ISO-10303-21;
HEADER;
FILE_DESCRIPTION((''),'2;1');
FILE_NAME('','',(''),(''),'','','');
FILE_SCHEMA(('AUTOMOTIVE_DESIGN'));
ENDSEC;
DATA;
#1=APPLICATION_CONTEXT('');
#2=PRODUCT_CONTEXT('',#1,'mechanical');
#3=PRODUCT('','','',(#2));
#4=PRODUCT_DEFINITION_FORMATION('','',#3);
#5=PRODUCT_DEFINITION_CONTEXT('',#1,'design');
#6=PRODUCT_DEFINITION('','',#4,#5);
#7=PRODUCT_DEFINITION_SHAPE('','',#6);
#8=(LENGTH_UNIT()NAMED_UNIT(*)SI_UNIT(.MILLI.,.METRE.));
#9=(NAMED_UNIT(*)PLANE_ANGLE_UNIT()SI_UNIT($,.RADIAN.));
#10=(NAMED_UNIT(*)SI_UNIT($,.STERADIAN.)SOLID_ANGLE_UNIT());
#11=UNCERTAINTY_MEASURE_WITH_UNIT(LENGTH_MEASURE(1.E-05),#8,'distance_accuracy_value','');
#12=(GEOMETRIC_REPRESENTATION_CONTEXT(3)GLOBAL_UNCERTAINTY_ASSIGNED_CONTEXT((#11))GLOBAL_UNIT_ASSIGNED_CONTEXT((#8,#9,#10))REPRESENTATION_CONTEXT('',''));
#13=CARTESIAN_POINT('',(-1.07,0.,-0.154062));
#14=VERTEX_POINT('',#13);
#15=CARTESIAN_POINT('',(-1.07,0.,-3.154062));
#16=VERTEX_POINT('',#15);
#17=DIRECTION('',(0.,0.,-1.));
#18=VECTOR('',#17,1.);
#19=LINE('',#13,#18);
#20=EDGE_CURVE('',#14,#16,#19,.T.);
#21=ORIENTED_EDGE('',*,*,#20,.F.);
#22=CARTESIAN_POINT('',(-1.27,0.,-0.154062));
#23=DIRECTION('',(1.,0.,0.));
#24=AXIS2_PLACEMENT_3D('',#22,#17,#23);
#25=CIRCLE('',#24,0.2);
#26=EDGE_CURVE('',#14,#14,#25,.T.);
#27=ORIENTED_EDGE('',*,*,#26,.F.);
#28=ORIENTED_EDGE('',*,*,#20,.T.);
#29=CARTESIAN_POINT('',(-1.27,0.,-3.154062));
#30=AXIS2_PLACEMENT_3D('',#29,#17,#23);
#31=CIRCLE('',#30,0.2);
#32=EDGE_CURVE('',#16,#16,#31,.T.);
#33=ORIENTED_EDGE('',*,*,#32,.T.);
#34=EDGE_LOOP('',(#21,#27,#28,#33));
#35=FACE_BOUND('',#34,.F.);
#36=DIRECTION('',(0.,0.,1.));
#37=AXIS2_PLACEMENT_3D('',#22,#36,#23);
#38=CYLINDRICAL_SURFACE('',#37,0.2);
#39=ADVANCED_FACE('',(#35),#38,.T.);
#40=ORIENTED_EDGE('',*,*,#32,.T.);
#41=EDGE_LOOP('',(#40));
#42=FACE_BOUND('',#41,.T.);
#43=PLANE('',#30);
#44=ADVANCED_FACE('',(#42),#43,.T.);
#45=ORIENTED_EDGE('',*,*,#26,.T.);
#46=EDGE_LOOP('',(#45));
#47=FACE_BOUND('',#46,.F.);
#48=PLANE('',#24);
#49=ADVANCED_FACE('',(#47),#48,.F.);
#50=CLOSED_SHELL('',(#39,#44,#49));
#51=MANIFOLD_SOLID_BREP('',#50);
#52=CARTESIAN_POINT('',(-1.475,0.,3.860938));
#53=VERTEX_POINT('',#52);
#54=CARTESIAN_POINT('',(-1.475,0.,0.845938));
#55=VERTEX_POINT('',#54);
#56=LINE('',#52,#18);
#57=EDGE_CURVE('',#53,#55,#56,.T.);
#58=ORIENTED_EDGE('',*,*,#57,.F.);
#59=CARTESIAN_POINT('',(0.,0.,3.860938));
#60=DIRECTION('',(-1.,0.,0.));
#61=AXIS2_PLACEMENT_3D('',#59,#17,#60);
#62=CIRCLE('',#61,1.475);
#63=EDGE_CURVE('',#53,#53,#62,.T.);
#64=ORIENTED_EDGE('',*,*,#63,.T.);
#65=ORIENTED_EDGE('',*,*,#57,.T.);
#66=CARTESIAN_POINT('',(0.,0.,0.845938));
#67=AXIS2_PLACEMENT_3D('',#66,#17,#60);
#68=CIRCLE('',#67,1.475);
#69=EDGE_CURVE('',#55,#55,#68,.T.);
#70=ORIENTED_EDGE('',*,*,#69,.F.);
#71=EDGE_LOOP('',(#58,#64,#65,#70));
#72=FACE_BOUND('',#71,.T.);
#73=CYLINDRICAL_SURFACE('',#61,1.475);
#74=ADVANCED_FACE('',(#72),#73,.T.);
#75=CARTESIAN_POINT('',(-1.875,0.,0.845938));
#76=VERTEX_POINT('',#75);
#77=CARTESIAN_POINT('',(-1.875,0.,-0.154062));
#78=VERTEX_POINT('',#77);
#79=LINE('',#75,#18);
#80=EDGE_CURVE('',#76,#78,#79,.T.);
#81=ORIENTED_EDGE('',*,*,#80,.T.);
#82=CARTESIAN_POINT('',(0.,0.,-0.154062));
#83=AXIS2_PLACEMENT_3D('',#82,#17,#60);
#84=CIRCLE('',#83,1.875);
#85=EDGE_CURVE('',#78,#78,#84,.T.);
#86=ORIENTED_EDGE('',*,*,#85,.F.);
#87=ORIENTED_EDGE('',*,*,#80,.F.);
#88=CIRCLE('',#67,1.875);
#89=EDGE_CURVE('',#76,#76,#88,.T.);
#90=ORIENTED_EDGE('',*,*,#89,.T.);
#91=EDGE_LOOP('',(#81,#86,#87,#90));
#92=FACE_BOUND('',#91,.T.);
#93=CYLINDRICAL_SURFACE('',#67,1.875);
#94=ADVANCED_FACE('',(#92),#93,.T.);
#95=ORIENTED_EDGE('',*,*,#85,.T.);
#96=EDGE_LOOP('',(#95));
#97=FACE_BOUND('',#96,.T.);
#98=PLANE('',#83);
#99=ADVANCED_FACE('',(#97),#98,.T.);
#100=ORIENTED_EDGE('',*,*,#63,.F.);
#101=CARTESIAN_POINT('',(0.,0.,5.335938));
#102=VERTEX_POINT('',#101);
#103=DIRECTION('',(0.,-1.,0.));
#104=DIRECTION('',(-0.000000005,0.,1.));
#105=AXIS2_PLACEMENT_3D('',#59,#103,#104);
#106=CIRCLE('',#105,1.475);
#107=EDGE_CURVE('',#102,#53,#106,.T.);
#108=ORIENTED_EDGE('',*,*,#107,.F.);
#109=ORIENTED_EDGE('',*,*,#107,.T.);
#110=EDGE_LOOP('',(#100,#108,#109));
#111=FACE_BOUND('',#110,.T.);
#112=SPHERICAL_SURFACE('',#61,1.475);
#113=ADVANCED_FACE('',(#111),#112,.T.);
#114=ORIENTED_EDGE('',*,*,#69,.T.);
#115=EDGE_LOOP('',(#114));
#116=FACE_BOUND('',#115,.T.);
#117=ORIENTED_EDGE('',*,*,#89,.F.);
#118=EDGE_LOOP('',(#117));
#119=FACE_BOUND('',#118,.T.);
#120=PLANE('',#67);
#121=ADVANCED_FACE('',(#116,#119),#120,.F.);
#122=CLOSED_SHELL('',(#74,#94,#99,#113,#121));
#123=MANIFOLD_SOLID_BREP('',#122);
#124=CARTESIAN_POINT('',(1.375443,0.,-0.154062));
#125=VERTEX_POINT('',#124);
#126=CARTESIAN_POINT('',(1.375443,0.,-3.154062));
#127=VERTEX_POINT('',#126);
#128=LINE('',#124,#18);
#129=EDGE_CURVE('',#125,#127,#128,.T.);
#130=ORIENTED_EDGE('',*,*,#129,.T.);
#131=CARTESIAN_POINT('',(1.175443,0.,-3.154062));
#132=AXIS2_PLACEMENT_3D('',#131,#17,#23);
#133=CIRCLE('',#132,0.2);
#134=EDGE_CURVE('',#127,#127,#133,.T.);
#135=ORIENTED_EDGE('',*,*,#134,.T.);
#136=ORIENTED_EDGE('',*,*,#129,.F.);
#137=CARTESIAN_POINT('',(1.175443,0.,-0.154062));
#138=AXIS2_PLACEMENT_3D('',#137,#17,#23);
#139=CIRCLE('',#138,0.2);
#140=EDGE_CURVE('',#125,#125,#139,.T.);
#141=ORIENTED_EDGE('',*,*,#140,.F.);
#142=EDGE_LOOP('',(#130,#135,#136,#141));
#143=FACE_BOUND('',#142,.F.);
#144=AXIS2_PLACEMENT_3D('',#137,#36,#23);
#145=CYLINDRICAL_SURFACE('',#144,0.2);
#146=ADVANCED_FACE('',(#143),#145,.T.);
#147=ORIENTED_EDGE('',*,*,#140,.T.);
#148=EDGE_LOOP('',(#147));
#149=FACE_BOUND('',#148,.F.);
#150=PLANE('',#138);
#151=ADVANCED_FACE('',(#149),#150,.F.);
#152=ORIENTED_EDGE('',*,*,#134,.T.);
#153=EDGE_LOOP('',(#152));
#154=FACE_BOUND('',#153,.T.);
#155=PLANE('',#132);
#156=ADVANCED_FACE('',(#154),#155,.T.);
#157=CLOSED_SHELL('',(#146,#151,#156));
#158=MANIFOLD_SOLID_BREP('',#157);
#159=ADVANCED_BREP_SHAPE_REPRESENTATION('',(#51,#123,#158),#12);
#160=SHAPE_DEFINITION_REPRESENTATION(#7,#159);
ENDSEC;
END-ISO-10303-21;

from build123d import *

# Parameters (mm, degrees)
F2_R     = 0.2
F3_DEPTH = 3


with BuildPart() as f1:
    # F0 (on Front) → F1 (revolve)
    with BuildSketch(Plane.XZ):
        with BuildLine():
            Line((0, -0.154062), (0, 5.335938))
            ThreePointArc((0, 5.335938), (-1.042983, 4.90392), (-1.475, 3.860938))
            Line((-1.475, 3.860938), (-1.475, 0.845938))
            Line((-1.475, 0.845938), (-1.875, 0.845938))
            Line((-1.875, 0.845938), (-1.875, -0.154062))
            Line((-1.875, -0.154062), (0, -0.154062))
        make_face()
    revolve(axis=Axis((0, 0, 2.590938), (0, 0, -1)))


with BuildPart() as f3:
    # F2 (on face) → F3 (new body)
    with BuildSketch(Plane(origin=(0, 0, -0.154062), x_dir=(1, 0, 0), z_dir=(0, 0, -1))):
        with Locations((-1.27, 0)):
            Circle(F2_R)
        with Locations((1.175443, 0)):
            Circle(F2_R)
    extrude(amount=F3_DEPTH)


solid = Compound([f1.part, f3.part])
